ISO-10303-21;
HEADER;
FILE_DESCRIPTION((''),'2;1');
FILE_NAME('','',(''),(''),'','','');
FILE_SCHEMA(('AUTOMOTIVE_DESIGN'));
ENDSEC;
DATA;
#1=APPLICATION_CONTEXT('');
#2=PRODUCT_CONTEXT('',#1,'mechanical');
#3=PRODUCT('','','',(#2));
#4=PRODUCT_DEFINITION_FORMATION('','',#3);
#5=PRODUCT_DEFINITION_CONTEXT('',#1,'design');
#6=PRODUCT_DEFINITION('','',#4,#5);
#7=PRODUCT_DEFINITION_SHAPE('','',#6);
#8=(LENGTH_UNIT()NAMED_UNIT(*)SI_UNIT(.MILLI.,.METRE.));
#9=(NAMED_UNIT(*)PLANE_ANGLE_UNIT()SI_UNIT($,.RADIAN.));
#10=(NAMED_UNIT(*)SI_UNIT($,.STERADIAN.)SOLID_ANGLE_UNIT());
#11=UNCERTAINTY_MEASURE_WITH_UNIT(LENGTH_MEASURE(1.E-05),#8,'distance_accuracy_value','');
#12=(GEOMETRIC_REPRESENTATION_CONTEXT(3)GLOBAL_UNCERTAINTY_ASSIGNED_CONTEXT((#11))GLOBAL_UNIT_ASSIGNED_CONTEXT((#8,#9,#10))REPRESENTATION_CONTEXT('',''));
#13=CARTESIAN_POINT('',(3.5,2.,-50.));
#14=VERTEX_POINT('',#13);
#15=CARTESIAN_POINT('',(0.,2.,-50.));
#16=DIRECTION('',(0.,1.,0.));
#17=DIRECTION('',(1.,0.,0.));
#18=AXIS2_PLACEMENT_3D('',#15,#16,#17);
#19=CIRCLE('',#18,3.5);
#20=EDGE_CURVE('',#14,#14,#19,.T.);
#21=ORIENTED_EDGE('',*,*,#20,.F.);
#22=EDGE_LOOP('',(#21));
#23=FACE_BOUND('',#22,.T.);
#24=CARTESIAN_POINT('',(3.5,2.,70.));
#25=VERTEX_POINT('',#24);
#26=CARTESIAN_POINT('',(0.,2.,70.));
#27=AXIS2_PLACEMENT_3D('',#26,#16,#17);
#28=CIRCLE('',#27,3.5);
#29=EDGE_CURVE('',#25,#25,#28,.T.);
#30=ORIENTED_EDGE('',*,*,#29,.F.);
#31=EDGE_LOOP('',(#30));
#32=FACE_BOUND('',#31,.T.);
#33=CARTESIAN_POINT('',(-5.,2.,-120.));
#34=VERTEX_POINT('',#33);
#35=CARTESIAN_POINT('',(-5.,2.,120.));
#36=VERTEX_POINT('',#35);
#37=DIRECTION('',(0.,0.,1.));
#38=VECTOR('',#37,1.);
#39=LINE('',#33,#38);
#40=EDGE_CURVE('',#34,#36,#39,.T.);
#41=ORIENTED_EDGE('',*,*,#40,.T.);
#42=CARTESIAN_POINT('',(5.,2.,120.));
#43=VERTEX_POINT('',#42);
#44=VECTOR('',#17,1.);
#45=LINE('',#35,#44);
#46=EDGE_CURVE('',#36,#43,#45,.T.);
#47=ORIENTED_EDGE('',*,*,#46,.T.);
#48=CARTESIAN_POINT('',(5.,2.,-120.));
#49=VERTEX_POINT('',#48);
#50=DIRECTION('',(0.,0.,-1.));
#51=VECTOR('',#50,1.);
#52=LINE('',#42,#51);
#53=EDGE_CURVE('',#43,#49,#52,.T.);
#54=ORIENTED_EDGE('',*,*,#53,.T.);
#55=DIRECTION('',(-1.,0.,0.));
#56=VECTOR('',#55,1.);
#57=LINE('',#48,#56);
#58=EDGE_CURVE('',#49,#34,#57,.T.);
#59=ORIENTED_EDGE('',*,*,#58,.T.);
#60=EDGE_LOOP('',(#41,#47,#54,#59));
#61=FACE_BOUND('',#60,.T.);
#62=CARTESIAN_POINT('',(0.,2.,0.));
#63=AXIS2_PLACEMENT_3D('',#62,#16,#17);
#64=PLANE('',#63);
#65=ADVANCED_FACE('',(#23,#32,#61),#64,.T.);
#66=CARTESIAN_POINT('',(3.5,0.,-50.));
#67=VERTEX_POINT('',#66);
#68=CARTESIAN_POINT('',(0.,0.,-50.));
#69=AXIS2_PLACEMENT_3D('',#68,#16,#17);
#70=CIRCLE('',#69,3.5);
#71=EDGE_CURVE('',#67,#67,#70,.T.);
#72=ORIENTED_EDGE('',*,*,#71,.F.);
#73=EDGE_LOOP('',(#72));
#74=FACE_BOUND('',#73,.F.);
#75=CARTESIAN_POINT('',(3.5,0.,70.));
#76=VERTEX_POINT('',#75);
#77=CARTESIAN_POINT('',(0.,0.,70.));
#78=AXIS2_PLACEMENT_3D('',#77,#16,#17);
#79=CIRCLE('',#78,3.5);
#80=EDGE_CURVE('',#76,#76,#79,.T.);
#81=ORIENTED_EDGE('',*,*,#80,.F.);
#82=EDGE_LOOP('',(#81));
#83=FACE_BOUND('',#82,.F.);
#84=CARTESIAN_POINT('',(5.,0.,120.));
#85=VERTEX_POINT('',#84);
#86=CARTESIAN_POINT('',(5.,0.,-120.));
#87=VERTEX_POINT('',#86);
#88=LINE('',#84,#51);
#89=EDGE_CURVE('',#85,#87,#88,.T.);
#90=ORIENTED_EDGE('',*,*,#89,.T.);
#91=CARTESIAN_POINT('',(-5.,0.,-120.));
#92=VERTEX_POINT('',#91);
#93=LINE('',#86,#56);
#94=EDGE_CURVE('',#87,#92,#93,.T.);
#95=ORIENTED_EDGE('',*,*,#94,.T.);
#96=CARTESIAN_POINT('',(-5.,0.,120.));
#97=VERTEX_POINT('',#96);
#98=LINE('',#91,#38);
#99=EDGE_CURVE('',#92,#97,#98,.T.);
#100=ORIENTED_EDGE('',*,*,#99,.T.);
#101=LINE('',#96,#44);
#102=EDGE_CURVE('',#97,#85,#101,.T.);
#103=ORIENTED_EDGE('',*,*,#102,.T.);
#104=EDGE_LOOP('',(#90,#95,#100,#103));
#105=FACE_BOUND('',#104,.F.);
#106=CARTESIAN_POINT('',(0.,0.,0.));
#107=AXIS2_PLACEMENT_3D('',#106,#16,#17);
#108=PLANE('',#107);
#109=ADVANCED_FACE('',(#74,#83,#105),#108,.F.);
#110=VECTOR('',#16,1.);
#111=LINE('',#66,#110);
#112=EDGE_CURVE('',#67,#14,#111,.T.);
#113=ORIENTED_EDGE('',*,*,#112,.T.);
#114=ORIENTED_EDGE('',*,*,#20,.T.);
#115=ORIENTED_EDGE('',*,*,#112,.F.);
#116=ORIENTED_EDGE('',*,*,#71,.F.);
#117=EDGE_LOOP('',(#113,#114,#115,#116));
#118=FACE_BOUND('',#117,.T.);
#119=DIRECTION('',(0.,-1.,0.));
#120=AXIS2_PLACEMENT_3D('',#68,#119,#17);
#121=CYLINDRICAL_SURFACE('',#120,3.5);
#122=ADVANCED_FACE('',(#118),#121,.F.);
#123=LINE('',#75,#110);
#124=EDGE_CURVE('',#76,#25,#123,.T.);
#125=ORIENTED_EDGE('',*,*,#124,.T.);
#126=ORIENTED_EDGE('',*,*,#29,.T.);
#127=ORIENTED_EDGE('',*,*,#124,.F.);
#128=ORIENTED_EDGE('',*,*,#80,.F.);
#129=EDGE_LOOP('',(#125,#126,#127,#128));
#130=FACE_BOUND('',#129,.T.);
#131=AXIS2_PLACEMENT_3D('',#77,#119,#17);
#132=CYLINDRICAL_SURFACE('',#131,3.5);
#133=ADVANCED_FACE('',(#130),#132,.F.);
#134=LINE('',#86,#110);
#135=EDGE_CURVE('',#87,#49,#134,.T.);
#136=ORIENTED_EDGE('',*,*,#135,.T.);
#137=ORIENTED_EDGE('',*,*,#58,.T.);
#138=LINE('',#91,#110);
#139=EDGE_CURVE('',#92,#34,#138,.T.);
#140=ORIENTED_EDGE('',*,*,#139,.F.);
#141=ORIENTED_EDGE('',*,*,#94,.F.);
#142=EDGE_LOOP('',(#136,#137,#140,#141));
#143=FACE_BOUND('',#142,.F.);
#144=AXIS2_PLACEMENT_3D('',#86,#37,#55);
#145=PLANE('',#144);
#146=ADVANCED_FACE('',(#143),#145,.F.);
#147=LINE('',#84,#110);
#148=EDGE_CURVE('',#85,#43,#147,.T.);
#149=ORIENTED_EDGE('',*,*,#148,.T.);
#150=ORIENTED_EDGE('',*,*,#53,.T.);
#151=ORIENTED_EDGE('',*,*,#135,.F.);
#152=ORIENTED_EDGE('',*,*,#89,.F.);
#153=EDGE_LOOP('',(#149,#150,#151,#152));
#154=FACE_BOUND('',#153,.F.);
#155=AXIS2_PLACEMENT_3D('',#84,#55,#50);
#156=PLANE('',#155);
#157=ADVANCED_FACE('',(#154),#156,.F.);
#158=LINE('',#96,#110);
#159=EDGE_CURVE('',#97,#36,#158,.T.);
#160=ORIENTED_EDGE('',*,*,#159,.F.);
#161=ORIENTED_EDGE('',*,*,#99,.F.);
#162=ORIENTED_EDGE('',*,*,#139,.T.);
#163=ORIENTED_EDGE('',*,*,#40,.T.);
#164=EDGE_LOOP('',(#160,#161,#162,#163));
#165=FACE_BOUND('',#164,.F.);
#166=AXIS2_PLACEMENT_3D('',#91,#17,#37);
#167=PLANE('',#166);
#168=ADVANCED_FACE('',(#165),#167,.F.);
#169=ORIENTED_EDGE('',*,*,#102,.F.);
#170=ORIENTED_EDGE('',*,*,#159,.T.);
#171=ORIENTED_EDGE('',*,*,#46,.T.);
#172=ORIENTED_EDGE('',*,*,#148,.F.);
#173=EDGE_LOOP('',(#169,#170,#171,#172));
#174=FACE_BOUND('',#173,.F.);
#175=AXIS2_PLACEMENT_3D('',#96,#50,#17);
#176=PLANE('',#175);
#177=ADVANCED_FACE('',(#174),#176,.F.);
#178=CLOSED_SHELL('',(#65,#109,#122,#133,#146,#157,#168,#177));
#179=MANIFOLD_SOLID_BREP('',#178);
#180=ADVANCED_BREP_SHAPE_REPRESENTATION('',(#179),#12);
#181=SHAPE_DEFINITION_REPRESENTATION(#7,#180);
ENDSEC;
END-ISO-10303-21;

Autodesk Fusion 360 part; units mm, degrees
sketch "Sketch1" plane through (0, 0, 0) normal (0, 1, 0) x (1, 0, 0)
  line L0 (-5, -120) -> (5, -120)
  line L1 (5, -120) -> (5, 120)
  line L2 (5, 120) -> (-5, 120)
  line L3 (-5, 120) -> (-5, -120)
  circle A0 centre (0, -70) radius 3.5
  circle A1 centre (0, 50) radius 3.5
  dimension "d1" = 240
  dimension "d3" = 7
  dimension "d4" = 7
  dimension "d5" = 120
  dimension "d6" = 120
  dimension "d7" = 50
extrude "Extrude1" add sketch "Sketch1" along normal blind 2
